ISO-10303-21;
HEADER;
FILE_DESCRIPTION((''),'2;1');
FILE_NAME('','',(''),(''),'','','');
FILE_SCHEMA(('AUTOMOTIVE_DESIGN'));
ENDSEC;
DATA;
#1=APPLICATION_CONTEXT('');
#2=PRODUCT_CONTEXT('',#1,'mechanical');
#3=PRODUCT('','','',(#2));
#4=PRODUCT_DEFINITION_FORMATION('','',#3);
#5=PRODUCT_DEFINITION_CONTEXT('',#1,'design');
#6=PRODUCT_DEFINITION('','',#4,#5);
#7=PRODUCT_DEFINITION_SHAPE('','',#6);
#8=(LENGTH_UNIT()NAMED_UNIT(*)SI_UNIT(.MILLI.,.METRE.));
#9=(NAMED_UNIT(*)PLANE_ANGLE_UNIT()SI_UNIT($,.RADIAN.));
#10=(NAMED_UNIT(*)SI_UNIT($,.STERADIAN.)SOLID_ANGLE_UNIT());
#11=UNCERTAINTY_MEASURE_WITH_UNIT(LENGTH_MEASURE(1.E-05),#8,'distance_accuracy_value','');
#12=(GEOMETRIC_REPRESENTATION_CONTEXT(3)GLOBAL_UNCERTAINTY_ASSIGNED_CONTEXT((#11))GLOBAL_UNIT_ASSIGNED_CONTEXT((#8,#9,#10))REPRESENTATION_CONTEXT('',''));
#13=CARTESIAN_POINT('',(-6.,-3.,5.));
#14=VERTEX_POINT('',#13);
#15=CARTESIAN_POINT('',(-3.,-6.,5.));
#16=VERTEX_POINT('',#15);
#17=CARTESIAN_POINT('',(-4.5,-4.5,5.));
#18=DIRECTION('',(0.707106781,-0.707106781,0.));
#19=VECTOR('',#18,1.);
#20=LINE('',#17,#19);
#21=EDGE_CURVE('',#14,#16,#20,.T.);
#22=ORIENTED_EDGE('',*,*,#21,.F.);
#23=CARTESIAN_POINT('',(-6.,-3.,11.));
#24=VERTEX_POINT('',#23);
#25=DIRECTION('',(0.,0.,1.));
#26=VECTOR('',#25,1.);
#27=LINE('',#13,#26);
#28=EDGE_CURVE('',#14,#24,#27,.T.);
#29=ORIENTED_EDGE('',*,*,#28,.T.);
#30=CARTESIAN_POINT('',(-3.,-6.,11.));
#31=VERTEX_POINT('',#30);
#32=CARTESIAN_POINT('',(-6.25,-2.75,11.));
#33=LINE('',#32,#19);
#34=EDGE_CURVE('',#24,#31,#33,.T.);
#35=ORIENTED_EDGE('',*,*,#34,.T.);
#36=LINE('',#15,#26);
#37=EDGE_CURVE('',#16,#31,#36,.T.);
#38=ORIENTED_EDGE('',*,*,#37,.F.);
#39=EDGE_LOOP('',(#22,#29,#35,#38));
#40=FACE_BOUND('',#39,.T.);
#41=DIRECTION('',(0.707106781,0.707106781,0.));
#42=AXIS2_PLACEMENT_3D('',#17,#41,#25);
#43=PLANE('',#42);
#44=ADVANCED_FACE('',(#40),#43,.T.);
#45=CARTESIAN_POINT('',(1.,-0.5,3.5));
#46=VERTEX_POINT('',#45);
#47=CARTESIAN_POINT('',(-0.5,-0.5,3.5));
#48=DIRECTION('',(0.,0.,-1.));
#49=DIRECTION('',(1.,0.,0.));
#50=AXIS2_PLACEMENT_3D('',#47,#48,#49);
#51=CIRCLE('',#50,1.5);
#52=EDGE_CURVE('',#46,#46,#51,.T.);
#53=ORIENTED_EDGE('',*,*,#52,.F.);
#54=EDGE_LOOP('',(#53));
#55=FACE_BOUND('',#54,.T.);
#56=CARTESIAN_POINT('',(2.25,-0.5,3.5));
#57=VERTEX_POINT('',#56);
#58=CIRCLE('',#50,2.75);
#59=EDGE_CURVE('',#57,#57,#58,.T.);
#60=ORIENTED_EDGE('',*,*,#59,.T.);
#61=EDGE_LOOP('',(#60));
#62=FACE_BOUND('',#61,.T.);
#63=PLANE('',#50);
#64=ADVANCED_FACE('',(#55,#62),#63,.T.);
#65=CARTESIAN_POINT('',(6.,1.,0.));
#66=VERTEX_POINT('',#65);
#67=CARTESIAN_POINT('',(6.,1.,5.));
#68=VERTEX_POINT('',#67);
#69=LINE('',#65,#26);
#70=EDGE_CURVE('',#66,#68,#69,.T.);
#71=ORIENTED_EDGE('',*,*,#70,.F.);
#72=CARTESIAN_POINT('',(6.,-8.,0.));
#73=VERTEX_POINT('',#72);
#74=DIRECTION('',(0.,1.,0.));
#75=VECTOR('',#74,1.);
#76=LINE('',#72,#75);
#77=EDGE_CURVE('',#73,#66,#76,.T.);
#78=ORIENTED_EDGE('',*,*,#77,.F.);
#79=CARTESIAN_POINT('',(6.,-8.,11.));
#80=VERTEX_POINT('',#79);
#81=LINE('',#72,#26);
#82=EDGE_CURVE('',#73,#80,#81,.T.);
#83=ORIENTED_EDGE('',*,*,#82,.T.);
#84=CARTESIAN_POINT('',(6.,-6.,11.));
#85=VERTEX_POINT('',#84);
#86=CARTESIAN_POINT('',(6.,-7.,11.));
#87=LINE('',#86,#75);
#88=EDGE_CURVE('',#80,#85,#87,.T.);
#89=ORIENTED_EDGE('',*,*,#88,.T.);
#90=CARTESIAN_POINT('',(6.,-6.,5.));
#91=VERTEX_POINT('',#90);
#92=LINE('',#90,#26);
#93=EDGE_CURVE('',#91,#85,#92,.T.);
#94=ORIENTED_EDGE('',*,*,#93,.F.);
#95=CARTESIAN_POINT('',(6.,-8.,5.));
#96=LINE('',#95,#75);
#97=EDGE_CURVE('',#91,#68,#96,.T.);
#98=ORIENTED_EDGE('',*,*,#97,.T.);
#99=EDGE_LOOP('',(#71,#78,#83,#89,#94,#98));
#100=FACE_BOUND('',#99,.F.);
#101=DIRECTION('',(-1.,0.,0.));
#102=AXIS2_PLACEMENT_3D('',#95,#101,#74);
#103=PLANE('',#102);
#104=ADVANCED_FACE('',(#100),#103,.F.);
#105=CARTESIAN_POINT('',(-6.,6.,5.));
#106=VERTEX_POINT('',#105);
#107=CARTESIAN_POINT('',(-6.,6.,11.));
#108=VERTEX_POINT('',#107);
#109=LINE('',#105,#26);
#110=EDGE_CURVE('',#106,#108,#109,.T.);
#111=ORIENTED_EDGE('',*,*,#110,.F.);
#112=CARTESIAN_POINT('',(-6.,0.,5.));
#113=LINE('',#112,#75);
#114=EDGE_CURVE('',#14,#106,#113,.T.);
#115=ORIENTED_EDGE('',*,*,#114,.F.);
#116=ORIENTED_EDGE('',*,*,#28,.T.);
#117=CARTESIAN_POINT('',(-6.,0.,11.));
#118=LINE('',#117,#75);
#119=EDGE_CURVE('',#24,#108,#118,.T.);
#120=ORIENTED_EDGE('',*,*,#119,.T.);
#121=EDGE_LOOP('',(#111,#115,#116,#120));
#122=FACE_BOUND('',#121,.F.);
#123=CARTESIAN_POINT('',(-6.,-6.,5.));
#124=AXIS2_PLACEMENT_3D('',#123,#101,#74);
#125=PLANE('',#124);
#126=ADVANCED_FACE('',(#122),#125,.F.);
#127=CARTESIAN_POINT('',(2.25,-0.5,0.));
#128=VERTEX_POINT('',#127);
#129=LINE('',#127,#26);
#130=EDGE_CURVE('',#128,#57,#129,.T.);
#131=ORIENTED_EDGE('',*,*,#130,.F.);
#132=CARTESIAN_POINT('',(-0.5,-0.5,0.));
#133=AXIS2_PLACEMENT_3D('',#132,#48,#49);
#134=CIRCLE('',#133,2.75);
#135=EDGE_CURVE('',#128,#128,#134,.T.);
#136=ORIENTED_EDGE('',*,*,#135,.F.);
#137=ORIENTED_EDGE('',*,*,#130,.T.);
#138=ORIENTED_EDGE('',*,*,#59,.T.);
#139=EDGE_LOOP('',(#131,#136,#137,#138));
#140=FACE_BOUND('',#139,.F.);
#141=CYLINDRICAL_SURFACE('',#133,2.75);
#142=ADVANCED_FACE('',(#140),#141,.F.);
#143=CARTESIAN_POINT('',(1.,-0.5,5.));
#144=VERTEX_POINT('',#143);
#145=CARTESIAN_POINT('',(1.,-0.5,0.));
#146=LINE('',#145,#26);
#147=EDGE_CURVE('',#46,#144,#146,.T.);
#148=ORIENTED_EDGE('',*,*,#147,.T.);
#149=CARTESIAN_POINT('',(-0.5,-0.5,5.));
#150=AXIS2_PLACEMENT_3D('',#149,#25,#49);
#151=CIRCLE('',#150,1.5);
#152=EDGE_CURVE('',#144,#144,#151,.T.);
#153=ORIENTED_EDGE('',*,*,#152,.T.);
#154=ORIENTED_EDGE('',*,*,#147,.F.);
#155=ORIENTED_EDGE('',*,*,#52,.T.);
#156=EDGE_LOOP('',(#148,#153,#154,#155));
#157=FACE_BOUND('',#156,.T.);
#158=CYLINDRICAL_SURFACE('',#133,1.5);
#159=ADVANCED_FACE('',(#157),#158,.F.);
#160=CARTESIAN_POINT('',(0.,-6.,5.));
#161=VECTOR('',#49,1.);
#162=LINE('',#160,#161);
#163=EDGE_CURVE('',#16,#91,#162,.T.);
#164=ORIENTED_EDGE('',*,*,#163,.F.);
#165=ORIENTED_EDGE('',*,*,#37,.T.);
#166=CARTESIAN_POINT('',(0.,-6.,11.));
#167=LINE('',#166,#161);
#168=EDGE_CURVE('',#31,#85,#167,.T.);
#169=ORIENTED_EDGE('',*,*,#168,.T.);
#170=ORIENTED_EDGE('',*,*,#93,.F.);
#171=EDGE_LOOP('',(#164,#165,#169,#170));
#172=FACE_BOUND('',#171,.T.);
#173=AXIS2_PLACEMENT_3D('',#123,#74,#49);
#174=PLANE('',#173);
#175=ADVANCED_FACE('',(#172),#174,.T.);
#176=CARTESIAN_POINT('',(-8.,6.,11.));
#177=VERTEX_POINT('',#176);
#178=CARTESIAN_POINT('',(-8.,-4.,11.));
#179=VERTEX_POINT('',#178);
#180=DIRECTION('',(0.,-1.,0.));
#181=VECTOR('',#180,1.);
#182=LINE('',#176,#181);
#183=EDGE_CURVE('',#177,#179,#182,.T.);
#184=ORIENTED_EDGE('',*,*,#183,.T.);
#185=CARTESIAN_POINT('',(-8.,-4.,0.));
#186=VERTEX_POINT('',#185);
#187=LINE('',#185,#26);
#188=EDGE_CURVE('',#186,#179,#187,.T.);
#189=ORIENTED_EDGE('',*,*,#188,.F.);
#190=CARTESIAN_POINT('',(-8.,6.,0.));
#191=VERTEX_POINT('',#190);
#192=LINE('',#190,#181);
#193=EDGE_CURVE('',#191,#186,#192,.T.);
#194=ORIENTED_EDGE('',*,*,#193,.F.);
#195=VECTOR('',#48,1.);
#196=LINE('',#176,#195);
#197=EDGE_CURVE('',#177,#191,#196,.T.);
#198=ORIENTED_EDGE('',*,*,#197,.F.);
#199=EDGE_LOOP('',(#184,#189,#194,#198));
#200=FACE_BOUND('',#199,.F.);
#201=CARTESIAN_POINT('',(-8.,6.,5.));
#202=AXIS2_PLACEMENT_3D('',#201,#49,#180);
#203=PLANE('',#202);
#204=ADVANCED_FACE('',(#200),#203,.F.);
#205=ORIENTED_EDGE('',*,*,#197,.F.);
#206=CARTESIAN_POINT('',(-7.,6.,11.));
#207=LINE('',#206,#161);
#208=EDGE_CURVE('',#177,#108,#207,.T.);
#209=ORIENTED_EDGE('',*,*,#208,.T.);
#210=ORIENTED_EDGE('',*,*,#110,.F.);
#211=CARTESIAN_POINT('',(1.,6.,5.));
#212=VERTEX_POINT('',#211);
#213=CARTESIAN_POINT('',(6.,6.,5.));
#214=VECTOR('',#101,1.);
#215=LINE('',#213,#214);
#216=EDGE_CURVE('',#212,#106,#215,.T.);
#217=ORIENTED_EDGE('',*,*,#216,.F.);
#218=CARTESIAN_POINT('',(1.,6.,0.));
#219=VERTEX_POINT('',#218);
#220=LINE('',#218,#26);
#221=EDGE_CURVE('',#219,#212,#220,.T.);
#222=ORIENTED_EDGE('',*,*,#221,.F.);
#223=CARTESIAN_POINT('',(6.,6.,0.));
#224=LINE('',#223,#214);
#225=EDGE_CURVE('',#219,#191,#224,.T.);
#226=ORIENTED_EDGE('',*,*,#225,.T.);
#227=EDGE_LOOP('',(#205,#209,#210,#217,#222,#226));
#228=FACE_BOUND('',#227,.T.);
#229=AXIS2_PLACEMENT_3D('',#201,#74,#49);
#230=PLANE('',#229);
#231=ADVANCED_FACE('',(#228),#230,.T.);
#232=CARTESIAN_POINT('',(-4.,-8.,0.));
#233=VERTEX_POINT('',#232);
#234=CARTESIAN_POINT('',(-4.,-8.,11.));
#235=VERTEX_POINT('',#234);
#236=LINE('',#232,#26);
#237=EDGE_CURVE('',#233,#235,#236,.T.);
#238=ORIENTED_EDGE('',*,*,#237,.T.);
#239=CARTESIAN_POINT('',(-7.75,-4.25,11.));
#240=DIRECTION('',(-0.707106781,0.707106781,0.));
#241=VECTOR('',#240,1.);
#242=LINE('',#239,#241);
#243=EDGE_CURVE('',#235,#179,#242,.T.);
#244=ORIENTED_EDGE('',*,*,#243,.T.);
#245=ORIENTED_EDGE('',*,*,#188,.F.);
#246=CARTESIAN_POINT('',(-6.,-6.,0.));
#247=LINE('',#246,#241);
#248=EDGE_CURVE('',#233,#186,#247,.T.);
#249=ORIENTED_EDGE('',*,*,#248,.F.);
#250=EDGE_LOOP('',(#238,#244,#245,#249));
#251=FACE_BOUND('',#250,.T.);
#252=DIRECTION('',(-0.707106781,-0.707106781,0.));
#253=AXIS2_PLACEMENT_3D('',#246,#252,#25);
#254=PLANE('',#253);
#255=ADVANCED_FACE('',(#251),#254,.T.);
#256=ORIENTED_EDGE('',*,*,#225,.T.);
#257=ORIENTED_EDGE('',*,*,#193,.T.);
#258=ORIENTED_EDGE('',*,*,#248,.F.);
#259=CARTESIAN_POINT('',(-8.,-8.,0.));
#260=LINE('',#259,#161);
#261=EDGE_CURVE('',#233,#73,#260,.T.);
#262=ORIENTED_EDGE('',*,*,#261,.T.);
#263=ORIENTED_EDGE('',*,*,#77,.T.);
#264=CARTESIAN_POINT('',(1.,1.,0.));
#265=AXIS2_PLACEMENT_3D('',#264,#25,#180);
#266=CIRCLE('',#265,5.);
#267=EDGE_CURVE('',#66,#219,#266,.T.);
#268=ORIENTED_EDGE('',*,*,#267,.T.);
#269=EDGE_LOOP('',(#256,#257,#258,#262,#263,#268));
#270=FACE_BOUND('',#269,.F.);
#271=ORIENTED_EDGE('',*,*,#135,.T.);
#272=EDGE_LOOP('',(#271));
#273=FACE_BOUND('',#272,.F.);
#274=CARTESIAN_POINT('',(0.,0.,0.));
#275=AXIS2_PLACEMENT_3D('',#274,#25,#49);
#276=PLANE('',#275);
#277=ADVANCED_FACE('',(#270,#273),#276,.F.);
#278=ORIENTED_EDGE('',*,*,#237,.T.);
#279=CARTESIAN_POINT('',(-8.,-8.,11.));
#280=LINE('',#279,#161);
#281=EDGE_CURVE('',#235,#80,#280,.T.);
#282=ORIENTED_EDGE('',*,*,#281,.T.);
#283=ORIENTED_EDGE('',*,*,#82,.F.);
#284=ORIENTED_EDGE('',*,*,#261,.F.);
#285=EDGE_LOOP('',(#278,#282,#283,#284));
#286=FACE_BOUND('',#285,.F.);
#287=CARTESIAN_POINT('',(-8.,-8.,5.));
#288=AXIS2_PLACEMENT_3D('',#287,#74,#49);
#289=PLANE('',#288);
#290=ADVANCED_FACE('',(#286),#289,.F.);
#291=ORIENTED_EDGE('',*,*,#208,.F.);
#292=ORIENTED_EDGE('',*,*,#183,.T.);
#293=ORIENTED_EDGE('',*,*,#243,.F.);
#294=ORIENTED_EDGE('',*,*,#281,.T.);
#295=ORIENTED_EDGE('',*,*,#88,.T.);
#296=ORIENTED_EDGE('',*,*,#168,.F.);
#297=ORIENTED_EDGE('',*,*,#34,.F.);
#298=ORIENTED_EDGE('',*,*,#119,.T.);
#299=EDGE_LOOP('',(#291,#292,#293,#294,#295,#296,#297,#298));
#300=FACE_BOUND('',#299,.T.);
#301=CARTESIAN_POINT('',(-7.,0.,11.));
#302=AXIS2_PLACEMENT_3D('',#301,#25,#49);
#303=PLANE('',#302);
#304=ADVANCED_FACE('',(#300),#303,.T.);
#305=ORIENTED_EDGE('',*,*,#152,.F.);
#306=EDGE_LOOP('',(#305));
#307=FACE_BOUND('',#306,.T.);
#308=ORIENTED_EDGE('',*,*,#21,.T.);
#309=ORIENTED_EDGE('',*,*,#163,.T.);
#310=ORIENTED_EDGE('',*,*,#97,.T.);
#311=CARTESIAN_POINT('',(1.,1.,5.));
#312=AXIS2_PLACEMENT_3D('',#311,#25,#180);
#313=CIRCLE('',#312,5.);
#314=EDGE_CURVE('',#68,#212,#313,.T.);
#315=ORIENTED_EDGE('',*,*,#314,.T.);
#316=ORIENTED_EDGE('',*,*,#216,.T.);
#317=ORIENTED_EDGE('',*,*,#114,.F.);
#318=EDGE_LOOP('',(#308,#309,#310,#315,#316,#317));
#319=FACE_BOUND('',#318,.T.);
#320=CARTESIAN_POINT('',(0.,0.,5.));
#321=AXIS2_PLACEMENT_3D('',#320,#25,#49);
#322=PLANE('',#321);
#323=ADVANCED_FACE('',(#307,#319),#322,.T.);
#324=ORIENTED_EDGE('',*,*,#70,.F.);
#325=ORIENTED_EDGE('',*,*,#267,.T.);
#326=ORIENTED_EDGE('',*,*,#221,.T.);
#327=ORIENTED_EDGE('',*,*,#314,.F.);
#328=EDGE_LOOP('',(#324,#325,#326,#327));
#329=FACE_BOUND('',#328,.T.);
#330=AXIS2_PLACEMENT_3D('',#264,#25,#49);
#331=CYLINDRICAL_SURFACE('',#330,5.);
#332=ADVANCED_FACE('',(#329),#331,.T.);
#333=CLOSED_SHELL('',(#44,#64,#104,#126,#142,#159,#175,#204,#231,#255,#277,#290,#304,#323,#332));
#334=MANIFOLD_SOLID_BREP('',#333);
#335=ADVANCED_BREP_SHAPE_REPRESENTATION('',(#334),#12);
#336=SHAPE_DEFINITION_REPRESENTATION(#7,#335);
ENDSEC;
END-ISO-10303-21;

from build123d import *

# Parameters (mm, degrees)
F0_W     = 12
F0_H     = 12
F0_R     = 1.5
F0_H_2   = 2
F1_DEPTH = 5
F2_W     = 2
F2_H     = 12
F2_W_2   = 12
F2_H_2   = 2
F3_DEPTH = 6
F4_R     = 2.75
F5_DEPTH = 3.5
F6_SIZE  = 3
F7_SIZE  = 4
F8_R     = 5


with BuildPart() as f1:
    # F0 (on Top) → F1 (new body)
    with BuildSketch(Plane.XY):
        Rectangle(F0_W, F0_H)
        with Locations((-0.5, -0.5)):
            Circle(F0_R, mode=Mode.SUBTRACT)
        with Locations((0, -7)):
            Rectangle(F0_W, F0_H_2)
        Polygon((-6, -8), (-6, -6), (-6, 6), (-8, 6), (-8, -8), align=None)
    extrude(amount=F1_DEPTH)

    # F2 (on face) → F3 (join)
    with BuildSketch(Plane.XY.offset(5)):
        with Locations((-7, 0)):
            Rectangle(F2_W, F2_H)
        with Locations((0, -7)):
            Rectangle(F2_W_2, F2_H_2)
        with Locations((-7, -7)):
            Rectangle(F2_W, F2_H_2)
    extrude(amount=F3_DEPTH)

    # F4 (on face) → F5 (cut)
    with BuildSketch(Plane(origin=(0, 0, 0), x_dir=(1, 0, 0), z_dir=(0, 0, -1))):
        with Locations((-0.5, 0.5)):
            Circle(F4_R)
    extrude(amount=-F5_DEPTH, mode=Mode.SUBTRACT)

    # F6
    f6_edges = [f1.edges().sort_by_distance(p)[0] for p in [
        (-6, -6, 8),
    ]]
    chamfer(f6_edges, length=F6_SIZE)

    # F7
    f7_edges = [f1.edges().sort_by_distance(p)[0] for p in [
        (-8, -8, 5.5),
    ]]
    chamfer(f7_edges, length=F7_SIZE)

    # F8
    f8_edges = [f1.edges().sort_by_distance(p)[0] for p in [
        (6, 6, 2.5),
    ]]
    fillet(f8_edges, radius=F8_R)


solid = f1.part
